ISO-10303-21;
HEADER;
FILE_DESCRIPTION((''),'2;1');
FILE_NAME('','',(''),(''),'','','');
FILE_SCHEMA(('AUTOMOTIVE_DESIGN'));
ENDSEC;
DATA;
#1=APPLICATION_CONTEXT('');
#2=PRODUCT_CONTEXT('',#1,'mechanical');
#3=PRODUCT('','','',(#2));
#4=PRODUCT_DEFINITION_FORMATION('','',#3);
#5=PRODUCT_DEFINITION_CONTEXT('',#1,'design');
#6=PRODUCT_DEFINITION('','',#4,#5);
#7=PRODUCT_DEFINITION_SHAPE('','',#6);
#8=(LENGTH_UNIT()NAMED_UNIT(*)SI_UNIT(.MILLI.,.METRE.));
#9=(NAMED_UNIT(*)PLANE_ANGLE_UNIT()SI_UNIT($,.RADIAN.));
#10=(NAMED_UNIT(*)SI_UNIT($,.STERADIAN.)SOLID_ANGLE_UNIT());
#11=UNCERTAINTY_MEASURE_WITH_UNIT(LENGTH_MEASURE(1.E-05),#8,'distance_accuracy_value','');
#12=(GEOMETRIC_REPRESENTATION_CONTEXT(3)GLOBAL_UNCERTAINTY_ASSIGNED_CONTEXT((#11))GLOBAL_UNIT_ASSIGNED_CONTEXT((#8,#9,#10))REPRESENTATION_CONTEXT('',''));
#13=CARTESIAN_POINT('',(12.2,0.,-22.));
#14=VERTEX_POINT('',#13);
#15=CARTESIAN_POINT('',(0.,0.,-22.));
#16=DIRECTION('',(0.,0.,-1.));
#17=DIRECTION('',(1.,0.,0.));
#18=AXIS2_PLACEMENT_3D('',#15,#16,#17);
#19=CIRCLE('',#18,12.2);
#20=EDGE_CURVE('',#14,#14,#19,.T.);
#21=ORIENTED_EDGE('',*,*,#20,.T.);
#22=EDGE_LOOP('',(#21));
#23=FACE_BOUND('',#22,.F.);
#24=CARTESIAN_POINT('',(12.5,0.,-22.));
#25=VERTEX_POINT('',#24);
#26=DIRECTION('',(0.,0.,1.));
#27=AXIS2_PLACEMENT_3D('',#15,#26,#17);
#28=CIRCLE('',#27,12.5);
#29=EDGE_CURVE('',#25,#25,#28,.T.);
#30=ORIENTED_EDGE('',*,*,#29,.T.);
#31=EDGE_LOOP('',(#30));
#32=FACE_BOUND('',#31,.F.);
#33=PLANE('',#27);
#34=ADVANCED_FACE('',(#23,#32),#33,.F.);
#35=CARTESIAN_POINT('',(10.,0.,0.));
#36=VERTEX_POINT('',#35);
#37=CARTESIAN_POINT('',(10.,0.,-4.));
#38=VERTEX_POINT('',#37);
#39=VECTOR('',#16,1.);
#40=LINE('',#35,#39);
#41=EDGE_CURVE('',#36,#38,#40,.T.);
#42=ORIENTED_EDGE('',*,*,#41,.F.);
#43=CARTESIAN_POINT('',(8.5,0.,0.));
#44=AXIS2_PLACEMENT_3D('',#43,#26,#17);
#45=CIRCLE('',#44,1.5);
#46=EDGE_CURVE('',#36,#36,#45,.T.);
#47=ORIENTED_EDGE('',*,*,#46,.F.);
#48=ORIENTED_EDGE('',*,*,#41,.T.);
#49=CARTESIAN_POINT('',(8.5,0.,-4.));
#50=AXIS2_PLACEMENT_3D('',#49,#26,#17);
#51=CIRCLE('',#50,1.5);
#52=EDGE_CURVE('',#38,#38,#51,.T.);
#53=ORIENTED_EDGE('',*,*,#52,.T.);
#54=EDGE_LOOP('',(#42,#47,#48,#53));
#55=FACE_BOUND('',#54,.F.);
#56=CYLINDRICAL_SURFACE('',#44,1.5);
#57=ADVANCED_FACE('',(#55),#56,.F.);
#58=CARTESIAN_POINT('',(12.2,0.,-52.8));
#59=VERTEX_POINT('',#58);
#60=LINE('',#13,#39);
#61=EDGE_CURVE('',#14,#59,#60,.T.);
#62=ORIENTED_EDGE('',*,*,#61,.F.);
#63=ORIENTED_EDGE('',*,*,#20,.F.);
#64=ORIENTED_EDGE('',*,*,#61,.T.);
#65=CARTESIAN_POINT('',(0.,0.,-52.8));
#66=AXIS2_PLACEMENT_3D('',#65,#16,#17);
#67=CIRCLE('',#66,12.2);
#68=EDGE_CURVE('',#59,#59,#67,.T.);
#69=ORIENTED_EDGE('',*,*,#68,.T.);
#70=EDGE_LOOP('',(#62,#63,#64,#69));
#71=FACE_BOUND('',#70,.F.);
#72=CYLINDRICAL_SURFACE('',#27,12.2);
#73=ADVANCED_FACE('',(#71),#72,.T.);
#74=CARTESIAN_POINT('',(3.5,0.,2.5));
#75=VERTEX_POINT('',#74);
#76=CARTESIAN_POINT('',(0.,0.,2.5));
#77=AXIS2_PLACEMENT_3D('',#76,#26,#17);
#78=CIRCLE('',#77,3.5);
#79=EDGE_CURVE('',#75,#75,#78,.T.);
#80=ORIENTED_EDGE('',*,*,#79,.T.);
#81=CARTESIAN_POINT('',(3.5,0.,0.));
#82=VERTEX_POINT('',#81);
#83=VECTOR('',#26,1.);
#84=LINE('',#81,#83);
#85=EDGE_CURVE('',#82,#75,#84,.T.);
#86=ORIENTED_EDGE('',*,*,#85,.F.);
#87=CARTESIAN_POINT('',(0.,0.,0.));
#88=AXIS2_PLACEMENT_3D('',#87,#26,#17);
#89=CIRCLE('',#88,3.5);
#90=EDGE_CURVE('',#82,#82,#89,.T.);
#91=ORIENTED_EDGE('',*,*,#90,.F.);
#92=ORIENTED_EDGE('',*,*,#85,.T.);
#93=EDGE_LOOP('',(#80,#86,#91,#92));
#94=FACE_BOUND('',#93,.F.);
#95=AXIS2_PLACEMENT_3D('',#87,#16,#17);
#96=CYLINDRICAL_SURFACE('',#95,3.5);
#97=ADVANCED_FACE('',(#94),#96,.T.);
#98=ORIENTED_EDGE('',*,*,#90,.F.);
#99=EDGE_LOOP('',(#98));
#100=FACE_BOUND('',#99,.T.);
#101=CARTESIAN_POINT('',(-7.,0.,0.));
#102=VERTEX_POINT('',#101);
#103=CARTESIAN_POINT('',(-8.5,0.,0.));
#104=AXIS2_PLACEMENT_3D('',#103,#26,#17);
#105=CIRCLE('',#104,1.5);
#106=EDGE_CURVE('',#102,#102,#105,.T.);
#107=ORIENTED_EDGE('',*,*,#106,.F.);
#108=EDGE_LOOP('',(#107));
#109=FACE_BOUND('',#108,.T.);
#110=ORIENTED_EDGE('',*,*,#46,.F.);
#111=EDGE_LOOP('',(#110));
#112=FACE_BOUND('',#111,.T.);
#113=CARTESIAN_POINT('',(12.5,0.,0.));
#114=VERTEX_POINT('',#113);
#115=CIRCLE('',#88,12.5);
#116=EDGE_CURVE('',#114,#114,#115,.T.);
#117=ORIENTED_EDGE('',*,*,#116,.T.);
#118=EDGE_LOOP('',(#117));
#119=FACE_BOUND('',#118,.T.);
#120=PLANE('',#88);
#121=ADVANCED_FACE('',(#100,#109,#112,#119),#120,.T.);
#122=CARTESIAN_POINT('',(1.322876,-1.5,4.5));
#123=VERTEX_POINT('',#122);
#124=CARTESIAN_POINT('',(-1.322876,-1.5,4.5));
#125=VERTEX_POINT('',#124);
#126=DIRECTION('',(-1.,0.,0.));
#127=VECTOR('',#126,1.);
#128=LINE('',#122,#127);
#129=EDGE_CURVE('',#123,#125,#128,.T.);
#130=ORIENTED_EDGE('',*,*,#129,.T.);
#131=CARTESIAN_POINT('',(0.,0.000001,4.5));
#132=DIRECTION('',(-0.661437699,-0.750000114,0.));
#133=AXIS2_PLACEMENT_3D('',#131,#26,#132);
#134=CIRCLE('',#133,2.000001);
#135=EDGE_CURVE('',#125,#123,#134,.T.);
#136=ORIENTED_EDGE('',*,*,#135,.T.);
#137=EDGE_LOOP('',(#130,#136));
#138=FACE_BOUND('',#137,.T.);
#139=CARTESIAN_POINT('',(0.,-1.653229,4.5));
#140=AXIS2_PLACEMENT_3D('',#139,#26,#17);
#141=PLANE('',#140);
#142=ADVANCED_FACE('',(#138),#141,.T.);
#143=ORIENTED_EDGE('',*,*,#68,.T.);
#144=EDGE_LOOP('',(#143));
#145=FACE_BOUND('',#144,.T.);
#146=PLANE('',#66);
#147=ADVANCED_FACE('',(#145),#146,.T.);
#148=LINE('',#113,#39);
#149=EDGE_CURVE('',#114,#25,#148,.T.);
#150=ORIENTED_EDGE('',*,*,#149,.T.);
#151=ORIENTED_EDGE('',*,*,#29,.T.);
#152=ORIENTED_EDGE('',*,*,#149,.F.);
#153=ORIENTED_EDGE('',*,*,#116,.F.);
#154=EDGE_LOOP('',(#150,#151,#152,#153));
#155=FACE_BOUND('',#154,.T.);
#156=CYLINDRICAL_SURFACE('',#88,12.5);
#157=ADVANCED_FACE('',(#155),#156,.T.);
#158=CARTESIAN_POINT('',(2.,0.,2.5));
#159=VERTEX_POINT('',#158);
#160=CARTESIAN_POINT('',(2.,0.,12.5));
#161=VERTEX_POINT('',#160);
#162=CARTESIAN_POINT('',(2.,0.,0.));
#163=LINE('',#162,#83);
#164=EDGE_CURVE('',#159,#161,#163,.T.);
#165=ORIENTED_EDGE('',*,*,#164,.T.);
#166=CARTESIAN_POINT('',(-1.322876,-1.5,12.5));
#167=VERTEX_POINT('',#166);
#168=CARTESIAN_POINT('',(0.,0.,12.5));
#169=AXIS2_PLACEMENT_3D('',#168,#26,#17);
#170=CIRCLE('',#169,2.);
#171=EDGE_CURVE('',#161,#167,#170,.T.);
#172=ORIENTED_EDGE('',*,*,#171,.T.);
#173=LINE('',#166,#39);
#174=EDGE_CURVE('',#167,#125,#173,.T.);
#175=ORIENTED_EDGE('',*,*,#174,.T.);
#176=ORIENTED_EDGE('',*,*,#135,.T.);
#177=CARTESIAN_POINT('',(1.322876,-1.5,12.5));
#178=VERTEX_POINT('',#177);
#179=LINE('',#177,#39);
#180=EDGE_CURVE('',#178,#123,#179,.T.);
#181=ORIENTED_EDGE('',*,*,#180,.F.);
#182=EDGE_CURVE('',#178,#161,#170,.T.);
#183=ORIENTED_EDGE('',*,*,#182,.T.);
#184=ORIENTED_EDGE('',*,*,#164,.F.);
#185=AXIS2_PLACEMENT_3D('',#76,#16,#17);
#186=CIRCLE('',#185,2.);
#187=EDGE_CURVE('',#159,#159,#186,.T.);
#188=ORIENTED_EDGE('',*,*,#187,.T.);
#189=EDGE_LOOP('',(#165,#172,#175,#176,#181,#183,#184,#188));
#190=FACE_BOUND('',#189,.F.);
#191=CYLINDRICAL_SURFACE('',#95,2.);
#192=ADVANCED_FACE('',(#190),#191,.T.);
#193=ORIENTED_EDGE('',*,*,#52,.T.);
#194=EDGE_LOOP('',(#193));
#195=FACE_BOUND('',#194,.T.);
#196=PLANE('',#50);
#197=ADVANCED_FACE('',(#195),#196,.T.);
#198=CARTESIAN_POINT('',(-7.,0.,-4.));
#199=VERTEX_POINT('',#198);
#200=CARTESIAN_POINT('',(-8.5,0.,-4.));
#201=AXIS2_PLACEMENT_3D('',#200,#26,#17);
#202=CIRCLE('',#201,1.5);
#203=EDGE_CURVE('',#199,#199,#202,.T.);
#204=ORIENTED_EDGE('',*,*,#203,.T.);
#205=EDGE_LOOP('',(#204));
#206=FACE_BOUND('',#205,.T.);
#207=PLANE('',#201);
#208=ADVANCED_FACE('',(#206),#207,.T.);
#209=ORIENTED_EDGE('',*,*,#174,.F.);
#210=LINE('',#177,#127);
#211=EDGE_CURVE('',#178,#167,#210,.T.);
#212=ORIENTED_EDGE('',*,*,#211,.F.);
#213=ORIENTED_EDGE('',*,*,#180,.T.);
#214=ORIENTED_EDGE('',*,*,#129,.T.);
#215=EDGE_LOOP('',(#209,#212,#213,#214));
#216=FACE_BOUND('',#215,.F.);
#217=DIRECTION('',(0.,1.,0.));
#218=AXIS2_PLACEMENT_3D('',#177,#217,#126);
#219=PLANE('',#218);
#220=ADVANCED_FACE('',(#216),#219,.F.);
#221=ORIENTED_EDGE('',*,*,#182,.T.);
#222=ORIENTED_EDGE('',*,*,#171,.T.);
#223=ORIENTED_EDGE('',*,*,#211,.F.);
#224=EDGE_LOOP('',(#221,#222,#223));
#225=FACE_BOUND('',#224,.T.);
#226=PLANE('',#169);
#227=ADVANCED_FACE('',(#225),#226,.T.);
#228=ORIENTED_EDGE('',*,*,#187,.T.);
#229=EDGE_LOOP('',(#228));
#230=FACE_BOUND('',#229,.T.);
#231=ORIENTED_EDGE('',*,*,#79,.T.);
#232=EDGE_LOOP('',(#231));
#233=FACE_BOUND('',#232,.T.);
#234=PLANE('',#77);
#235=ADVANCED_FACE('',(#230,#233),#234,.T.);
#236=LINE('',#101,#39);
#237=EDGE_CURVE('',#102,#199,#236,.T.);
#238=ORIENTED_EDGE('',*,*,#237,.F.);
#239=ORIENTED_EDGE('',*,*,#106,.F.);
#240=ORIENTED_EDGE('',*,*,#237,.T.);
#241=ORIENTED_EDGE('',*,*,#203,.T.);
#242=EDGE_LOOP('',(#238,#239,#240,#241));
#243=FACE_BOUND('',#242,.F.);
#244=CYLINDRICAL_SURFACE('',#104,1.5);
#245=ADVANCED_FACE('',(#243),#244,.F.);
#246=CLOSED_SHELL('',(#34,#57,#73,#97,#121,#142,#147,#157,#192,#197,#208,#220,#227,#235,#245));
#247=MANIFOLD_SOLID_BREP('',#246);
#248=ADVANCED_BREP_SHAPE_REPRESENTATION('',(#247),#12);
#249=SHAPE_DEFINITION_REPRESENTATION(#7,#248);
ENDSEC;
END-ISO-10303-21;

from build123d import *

# Parameters (mm, degrees)
F0_R      = 12.5
F1_DEPTH  = 22
F2_R      = 12.2
F3_DEPTH  = 30.8
F4_R      = 3.5
F5_DEPTH  = 2.5
F6_R      = 2
F7_DEPTH  = 12.5
F9_DEPTH  = 8
F10_R     = 1.5
F11_DEPTH = 4


with BuildPart() as f1:
    # F0 (on Top) → F1 (new body)
    with BuildSketch(Plane.XY):
        Circle(F0_R)
    extrude(amount=-F1_DEPTH)

    # F2 (on face) → F3 (join)
    with BuildSketch(Plane(origin=(0, 0, -22), x_dir=(1, 0, 0), z_dir=(0, 0, -1))):
        Circle(F2_R)
    extrude(amount=F3_DEPTH)

    # F4 (on face) → F5 (join)
    with BuildSketch(Plane.XY):
        Circle(F4_R)
    extrude(amount=F5_DEPTH)

    # F6 (on face) → F7 (join)
    with BuildSketch(Plane.XY):
        Circle(F6_R)
    extrude(amount=F7_DEPTH)

    # F8 (on face) → F9 (cut)
    with BuildSketch(Plane.XY.offset(12.5)):
        with BuildLine():
            Line((1.322876, -1.5), (-1.322876, -1.5))
            ThreePointArc((-1.322876, -1.5), (0, -2), (1.322876, -1.5))
        make_face()
    extrude(amount=-F9_DEPTH, mode=Mode.SUBTRACT)

    # F10 (on face) → F11 (cut)
    with BuildSketch(Plane.XY):
        with Locations((-8.5, 0)):
            Circle(F10_R)
        with Locations((8.5, 0)):
            Circle(F10_R)
    extrude(amount=-F11_DEPTH, mode=Mode.SUBTRACT)


solid = f1.part
